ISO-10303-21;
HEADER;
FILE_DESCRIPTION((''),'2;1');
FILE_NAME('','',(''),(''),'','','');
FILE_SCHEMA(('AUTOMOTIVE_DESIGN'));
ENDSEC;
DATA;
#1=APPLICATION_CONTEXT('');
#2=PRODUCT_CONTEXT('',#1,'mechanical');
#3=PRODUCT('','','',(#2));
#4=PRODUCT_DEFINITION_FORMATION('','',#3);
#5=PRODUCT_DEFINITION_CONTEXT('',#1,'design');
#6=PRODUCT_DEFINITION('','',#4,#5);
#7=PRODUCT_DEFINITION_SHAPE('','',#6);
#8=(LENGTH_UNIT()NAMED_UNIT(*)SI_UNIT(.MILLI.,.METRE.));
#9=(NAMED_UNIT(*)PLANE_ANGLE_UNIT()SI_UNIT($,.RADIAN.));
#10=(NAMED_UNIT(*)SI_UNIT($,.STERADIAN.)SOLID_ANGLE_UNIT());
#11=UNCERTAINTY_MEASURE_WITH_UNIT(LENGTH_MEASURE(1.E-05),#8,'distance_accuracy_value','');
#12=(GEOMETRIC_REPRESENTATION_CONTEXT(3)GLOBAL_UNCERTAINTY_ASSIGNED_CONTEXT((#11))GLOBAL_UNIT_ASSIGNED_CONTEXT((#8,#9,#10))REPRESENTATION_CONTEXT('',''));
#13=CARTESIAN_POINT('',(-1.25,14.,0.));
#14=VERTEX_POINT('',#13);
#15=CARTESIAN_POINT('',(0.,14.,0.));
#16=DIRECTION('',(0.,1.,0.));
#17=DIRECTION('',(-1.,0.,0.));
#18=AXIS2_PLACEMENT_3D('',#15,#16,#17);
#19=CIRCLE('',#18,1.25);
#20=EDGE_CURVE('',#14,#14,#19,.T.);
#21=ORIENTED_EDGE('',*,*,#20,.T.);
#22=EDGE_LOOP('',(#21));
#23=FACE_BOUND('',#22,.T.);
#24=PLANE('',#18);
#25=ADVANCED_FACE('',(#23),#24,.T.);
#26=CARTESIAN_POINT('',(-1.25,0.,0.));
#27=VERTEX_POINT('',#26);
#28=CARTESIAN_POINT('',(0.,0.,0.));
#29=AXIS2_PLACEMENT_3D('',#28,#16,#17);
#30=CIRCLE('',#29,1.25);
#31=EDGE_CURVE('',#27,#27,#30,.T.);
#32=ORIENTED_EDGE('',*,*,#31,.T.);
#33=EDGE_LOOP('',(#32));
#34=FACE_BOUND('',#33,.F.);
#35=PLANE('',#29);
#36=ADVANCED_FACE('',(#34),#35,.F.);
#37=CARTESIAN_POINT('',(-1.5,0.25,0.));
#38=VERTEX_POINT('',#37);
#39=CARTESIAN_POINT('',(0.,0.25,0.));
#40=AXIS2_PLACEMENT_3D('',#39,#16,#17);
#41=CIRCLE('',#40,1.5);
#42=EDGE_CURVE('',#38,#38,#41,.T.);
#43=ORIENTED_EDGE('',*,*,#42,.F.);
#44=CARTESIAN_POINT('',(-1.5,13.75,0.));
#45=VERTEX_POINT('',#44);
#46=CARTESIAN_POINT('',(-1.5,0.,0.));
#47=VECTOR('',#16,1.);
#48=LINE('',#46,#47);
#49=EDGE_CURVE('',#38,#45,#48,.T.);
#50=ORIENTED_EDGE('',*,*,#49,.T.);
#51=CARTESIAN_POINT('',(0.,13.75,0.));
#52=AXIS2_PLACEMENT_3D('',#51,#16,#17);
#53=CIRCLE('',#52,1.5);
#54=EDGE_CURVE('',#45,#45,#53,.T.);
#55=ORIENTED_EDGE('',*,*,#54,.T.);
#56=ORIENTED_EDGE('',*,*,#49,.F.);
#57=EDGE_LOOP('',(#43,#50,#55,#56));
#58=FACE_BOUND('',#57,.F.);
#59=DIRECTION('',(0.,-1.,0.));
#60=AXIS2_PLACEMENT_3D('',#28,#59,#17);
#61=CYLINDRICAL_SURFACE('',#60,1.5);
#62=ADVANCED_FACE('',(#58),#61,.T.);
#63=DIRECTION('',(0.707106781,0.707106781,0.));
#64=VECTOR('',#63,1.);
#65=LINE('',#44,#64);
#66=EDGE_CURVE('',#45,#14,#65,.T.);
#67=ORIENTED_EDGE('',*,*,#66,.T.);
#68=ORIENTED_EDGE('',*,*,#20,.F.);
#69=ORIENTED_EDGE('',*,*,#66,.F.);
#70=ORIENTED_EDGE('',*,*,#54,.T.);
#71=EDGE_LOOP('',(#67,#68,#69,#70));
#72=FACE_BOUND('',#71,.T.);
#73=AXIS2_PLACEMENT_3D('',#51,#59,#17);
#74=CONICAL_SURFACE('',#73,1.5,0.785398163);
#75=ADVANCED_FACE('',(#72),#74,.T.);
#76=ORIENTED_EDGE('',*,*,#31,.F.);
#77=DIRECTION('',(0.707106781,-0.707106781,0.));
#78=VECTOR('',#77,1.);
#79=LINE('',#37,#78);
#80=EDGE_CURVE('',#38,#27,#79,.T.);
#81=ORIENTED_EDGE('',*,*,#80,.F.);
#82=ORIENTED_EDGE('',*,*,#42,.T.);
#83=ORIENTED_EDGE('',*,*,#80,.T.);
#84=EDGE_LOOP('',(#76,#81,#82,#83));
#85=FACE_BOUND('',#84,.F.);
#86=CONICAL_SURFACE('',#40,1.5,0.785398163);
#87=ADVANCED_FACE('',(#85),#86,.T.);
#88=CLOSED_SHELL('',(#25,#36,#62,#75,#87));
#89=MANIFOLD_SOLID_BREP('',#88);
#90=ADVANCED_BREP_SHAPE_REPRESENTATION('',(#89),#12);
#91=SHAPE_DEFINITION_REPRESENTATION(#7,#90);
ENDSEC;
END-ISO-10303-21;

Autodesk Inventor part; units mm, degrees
ref_plane "YZ Plane" through (0, 0, 0) normal (1, 0, 0) x (0, 1, 0)
ref_plane "XZ Plane" through (0, 0, 0) normal (0, 1, 0) x (-1, 0, 0)
ref_plane "XY Plane" through (0, 0, 0) normal (0, 0, 1) x (1, 0, 0)
sketch "Sketch1" plane through (0, 0, 0) normal (0, 1, 0) x (-1, 0, 0)
  circle A0 centre (0, 0) radius 1.5
  dimension "d0" = 3
extrude "Extrusion1" add sketch "Sketch1" along normal blind 14
chamfer "Chamfer1" distance 0.25 angle 45 2 edges at (1.5, 14, 0) (1.5, 0, 0)
properties part number "3x30 Pin" material "Stainless Steel, 440C"
